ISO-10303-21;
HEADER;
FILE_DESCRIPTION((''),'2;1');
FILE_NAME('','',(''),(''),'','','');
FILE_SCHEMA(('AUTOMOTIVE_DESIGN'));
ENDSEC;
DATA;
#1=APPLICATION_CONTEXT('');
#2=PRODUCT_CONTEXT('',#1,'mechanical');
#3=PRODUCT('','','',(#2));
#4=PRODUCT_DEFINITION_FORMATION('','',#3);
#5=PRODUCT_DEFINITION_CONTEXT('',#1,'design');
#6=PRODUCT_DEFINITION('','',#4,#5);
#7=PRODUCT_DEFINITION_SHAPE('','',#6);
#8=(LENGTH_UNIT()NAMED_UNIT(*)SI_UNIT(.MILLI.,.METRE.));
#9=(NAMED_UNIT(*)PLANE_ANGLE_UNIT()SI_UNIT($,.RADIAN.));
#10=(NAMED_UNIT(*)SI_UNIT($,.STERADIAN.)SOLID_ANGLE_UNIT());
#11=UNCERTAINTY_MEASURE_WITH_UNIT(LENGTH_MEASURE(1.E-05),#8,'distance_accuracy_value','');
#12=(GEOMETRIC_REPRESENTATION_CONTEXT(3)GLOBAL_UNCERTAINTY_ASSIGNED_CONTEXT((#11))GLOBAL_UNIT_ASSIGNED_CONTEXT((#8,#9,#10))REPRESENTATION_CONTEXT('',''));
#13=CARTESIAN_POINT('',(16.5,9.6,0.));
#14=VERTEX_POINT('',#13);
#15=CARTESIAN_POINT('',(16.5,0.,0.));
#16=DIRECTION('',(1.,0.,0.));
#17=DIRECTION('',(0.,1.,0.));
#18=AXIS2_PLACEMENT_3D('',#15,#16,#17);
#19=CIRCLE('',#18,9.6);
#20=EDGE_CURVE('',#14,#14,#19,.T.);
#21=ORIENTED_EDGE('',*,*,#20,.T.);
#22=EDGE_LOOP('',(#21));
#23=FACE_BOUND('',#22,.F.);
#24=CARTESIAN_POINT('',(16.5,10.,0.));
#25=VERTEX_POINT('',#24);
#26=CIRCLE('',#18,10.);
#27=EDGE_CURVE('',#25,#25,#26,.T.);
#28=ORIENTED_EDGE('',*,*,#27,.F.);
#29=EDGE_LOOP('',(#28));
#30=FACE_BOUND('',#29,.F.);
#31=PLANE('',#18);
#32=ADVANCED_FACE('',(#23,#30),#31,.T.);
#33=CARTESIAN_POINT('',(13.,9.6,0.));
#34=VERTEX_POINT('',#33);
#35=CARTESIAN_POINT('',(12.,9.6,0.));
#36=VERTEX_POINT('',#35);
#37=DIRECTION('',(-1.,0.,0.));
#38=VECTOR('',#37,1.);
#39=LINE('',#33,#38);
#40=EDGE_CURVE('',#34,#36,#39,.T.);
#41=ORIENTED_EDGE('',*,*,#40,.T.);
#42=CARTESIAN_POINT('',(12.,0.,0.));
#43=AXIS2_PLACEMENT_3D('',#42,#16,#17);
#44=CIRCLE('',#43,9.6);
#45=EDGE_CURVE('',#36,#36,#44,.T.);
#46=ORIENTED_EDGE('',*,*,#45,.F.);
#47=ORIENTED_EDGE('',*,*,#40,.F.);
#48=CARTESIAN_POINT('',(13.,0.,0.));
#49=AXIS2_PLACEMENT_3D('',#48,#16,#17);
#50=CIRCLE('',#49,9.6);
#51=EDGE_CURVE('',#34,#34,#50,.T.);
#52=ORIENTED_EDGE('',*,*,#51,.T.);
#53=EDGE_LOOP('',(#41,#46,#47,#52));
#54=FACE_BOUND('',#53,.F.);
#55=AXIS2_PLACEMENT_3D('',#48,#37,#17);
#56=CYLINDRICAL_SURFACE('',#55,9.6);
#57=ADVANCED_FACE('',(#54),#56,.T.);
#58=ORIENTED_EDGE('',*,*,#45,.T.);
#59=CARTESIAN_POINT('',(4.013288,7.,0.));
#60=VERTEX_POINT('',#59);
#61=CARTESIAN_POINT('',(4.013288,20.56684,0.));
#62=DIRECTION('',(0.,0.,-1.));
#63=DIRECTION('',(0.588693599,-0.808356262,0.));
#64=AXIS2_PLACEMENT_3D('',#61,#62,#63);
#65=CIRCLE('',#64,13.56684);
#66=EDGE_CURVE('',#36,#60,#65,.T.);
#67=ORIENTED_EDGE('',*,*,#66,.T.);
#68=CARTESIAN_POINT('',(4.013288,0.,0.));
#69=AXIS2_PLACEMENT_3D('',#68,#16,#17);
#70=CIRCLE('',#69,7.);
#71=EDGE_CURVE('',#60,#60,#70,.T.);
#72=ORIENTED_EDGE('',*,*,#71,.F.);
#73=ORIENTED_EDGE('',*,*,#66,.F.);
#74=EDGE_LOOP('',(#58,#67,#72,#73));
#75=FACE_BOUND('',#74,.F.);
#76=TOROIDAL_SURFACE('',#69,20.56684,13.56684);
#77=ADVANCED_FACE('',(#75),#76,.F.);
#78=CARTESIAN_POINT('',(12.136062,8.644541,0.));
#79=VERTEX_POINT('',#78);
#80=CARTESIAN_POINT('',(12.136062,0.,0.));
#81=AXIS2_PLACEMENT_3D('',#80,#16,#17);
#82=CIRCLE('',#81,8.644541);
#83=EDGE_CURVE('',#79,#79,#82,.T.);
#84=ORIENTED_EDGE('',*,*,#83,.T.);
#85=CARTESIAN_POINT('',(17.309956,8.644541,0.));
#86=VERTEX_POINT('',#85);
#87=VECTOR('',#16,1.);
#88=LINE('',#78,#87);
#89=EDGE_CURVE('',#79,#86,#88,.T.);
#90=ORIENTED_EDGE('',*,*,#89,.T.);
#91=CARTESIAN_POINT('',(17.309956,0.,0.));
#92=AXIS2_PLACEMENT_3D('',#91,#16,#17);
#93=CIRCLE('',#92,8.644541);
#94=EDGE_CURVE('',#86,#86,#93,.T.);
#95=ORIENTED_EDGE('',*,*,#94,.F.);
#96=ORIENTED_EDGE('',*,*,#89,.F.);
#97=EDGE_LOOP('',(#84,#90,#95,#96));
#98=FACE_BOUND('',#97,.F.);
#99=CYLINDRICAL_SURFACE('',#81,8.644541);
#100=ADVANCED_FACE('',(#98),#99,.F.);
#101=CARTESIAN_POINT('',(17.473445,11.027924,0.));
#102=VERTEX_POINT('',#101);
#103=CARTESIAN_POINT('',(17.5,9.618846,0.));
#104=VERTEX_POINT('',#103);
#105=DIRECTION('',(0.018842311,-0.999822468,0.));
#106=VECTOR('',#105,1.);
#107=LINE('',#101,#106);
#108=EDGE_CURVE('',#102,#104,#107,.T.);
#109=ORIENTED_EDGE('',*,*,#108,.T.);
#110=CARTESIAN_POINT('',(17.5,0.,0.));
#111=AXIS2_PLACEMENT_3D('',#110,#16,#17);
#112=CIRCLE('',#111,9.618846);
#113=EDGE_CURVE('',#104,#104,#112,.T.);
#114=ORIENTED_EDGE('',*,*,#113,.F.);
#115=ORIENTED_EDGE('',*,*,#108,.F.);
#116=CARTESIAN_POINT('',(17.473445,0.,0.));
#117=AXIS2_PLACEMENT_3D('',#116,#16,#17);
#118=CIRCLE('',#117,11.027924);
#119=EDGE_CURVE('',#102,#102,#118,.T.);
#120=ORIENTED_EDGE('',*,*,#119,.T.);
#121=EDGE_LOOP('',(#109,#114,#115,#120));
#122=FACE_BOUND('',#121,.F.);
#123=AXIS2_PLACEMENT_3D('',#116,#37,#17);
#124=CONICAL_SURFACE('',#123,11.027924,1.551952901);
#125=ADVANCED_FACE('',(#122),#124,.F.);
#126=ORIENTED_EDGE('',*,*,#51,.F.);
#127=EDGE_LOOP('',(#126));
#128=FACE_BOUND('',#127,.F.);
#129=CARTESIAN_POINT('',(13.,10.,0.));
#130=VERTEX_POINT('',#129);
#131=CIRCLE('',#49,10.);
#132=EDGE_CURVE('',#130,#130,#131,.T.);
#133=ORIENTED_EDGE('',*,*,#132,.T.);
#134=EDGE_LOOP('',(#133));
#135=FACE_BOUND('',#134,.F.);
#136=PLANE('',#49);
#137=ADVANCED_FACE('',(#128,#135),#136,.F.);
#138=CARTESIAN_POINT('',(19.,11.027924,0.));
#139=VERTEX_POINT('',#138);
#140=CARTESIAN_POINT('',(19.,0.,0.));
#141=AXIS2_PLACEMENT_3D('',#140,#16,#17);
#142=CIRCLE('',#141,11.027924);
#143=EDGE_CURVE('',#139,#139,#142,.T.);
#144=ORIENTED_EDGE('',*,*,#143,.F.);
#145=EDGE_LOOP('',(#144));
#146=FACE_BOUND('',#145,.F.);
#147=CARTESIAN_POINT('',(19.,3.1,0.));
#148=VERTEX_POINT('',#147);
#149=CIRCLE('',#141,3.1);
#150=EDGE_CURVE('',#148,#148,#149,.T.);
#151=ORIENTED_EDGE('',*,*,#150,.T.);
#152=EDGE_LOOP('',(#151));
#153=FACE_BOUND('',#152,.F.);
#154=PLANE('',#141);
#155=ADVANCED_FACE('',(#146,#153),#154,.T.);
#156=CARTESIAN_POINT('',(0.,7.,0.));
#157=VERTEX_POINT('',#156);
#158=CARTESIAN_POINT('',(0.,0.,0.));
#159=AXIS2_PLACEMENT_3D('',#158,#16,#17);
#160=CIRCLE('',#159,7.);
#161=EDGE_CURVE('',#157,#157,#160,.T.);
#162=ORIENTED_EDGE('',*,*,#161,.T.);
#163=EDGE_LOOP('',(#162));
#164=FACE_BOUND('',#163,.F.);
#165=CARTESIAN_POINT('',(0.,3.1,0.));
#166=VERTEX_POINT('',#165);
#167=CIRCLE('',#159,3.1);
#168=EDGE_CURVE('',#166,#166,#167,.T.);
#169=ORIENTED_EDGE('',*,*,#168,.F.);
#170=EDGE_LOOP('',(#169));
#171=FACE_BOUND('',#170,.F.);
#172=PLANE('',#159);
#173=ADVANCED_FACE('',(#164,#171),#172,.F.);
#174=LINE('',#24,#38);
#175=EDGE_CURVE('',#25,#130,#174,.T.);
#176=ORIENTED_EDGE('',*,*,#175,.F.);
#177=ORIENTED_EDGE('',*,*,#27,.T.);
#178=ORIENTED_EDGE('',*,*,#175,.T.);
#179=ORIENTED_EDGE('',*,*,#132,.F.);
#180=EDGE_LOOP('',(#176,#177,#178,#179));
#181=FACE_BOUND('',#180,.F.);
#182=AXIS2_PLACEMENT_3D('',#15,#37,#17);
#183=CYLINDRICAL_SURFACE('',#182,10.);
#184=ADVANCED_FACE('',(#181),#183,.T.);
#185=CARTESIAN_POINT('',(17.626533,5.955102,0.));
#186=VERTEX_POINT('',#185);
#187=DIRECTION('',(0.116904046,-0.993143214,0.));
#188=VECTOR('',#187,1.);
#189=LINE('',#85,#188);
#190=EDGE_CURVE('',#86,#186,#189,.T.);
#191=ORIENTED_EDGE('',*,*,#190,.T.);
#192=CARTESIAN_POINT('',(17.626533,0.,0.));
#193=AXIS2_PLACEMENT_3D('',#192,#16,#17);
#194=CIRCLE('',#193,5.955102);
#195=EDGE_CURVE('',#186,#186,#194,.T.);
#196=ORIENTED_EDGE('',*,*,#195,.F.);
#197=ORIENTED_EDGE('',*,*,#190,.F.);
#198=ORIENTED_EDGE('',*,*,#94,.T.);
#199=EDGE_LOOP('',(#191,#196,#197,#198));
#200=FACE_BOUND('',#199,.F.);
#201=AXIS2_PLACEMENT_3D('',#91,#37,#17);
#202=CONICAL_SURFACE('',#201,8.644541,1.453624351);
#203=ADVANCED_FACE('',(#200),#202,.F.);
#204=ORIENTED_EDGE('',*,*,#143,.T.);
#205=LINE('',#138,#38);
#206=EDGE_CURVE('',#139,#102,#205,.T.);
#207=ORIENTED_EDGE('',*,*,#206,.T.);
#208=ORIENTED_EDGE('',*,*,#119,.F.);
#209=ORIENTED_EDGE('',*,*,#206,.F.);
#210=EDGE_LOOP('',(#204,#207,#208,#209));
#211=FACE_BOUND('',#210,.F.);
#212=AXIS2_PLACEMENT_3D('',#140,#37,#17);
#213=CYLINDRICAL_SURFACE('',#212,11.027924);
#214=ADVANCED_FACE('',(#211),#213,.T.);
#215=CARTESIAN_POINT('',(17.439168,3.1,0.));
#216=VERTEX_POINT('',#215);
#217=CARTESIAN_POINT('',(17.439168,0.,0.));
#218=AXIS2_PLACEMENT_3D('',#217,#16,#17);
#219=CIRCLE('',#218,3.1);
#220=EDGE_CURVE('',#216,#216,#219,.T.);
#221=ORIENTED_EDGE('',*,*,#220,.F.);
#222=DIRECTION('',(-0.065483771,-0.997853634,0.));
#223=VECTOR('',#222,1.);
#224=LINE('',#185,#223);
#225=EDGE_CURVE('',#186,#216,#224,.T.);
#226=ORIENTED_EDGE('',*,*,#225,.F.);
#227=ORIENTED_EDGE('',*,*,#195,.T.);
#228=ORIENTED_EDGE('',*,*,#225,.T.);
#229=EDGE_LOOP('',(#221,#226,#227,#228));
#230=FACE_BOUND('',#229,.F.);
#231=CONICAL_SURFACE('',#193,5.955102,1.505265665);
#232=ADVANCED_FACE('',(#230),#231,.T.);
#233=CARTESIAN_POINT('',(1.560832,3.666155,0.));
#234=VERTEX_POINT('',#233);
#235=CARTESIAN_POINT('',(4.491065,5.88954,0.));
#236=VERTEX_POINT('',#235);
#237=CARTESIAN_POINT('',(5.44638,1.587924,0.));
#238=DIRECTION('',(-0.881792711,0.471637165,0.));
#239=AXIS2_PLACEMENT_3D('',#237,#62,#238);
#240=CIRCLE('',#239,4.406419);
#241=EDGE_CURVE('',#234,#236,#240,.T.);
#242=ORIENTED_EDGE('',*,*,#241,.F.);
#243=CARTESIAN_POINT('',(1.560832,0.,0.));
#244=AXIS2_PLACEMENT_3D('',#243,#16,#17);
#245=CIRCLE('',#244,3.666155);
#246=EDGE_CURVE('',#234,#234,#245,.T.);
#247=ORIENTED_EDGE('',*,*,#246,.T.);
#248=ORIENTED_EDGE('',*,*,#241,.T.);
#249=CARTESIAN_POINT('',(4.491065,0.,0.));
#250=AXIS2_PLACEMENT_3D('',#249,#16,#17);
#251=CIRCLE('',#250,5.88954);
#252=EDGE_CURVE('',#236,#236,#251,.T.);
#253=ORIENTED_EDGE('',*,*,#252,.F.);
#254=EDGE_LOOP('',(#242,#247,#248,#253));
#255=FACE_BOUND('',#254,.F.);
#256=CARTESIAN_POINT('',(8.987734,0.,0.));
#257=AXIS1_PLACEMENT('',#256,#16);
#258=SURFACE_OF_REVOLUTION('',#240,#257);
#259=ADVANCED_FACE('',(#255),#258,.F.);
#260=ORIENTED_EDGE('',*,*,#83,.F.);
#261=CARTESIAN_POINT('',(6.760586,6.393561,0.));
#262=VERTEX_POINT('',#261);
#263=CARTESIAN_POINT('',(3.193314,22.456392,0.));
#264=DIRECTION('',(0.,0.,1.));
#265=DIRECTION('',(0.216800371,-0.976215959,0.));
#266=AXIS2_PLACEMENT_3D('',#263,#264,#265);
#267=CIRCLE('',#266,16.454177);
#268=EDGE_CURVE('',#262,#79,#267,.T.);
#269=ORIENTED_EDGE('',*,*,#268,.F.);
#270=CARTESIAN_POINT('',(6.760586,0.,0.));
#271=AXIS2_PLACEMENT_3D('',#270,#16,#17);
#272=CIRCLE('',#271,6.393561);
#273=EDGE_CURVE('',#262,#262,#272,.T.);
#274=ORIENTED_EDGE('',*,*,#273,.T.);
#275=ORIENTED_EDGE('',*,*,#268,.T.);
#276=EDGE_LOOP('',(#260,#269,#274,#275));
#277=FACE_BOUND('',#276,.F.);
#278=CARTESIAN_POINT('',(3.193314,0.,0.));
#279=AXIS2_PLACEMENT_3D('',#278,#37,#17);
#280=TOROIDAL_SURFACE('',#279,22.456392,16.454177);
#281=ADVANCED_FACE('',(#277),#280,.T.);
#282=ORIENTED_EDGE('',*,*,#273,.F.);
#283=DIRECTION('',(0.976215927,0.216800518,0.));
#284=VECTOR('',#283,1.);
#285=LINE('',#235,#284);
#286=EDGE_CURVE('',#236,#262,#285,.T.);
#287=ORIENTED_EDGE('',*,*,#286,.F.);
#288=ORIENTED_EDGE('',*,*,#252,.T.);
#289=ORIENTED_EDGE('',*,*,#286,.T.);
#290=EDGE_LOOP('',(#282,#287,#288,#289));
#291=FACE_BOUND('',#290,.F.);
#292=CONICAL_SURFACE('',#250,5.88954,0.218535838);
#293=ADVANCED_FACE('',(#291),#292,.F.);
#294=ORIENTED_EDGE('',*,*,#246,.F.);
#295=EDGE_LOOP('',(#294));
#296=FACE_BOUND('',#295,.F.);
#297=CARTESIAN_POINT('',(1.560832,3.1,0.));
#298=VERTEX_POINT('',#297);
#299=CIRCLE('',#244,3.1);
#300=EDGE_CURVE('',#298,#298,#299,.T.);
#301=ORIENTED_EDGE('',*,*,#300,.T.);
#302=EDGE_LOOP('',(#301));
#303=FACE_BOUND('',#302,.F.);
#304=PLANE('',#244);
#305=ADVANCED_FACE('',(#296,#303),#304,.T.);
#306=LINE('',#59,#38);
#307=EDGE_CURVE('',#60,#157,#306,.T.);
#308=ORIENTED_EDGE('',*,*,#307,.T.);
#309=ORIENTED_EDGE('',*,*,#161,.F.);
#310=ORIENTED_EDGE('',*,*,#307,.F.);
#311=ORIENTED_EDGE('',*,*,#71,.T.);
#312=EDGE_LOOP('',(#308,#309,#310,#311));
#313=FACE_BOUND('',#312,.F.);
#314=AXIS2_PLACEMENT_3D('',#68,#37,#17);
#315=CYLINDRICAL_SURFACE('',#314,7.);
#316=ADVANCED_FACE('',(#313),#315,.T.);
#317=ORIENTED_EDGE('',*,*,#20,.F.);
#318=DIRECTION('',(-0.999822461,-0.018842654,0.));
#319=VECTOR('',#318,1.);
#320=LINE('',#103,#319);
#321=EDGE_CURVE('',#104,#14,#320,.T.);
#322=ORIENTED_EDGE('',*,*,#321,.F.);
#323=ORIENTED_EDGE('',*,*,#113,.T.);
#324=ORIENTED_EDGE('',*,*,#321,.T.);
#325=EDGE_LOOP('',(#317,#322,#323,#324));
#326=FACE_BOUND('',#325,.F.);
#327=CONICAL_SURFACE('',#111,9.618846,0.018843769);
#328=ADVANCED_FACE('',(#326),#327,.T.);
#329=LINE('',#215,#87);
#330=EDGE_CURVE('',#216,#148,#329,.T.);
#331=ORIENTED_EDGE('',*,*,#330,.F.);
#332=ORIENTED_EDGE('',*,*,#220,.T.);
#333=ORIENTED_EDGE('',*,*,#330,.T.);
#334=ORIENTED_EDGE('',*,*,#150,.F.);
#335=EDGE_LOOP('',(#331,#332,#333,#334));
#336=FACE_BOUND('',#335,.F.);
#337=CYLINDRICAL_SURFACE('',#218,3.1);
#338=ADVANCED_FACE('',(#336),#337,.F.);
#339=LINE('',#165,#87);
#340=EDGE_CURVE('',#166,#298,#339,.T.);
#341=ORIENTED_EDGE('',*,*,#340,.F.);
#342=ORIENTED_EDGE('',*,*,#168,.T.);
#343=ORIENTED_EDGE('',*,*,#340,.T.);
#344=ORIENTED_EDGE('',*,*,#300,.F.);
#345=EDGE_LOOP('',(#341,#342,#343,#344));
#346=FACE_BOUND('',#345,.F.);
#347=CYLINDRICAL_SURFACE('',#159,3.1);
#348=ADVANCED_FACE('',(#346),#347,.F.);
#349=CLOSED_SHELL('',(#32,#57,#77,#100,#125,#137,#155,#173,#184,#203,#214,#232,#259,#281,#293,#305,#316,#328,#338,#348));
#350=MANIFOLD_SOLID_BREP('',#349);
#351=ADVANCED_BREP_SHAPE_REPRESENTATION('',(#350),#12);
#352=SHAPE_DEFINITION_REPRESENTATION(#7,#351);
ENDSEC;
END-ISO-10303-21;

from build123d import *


with BuildPart() as f1:
    # F0 (on Top) → F1 (revolve)
    with BuildSketch(Plane.XY):
        with BuildLine():
            Line((4.013288, 7), (0, 7))
            Line((0, 7), (0, 3.1))
            Line((0, 3.1), (1.560832, 3.1))
            Line((1.560832, 3.1), (1.560832, 3.666155))
            ThreePointArc((1.560832, 3.666155), (2.782858, 5.09822), (4.491065, 5.88954))
            Line((4.491065, 5.88954), (6.760586, 6.393561))
            ThreePointArc((6.760586, 6.393561), (9.548774, 7.279169), (12.136062, 8.644541))
            Line((12.136062, 8.644541), (17.309956, 8.644541))
            Line((17.309956, 8.644541), (17.626533, 5.955102))
            Line((17.626533, 5.955102), (17.439168, 3.1))
            Line((17.439168, 3.1), (19, 3.1))
            Line((19, 3.1), (19, 11.027924))
            Line((19, 11.027924), (17.473445, 11.027924))
            Line((17.473445, 11.027924), (17.5, 9.618846))
            Line((17.5, 9.618846), (16.5, 9.6))
            Line((16.5, 9.6), (16.5, 10))
            Line((16.5, 10), (13, 10))
            Line((13, 10), (13, 9.6))
            Line((13, 9.6), (12, 9.6))
            ThreePointArc((12, 9.6), (8.212918, 7.666365), (4.013288, 7))
        make_face()
    revolve(axis=Axis((8.987734, 0, 0), (1, 0, 0)))


solid = f1.part
